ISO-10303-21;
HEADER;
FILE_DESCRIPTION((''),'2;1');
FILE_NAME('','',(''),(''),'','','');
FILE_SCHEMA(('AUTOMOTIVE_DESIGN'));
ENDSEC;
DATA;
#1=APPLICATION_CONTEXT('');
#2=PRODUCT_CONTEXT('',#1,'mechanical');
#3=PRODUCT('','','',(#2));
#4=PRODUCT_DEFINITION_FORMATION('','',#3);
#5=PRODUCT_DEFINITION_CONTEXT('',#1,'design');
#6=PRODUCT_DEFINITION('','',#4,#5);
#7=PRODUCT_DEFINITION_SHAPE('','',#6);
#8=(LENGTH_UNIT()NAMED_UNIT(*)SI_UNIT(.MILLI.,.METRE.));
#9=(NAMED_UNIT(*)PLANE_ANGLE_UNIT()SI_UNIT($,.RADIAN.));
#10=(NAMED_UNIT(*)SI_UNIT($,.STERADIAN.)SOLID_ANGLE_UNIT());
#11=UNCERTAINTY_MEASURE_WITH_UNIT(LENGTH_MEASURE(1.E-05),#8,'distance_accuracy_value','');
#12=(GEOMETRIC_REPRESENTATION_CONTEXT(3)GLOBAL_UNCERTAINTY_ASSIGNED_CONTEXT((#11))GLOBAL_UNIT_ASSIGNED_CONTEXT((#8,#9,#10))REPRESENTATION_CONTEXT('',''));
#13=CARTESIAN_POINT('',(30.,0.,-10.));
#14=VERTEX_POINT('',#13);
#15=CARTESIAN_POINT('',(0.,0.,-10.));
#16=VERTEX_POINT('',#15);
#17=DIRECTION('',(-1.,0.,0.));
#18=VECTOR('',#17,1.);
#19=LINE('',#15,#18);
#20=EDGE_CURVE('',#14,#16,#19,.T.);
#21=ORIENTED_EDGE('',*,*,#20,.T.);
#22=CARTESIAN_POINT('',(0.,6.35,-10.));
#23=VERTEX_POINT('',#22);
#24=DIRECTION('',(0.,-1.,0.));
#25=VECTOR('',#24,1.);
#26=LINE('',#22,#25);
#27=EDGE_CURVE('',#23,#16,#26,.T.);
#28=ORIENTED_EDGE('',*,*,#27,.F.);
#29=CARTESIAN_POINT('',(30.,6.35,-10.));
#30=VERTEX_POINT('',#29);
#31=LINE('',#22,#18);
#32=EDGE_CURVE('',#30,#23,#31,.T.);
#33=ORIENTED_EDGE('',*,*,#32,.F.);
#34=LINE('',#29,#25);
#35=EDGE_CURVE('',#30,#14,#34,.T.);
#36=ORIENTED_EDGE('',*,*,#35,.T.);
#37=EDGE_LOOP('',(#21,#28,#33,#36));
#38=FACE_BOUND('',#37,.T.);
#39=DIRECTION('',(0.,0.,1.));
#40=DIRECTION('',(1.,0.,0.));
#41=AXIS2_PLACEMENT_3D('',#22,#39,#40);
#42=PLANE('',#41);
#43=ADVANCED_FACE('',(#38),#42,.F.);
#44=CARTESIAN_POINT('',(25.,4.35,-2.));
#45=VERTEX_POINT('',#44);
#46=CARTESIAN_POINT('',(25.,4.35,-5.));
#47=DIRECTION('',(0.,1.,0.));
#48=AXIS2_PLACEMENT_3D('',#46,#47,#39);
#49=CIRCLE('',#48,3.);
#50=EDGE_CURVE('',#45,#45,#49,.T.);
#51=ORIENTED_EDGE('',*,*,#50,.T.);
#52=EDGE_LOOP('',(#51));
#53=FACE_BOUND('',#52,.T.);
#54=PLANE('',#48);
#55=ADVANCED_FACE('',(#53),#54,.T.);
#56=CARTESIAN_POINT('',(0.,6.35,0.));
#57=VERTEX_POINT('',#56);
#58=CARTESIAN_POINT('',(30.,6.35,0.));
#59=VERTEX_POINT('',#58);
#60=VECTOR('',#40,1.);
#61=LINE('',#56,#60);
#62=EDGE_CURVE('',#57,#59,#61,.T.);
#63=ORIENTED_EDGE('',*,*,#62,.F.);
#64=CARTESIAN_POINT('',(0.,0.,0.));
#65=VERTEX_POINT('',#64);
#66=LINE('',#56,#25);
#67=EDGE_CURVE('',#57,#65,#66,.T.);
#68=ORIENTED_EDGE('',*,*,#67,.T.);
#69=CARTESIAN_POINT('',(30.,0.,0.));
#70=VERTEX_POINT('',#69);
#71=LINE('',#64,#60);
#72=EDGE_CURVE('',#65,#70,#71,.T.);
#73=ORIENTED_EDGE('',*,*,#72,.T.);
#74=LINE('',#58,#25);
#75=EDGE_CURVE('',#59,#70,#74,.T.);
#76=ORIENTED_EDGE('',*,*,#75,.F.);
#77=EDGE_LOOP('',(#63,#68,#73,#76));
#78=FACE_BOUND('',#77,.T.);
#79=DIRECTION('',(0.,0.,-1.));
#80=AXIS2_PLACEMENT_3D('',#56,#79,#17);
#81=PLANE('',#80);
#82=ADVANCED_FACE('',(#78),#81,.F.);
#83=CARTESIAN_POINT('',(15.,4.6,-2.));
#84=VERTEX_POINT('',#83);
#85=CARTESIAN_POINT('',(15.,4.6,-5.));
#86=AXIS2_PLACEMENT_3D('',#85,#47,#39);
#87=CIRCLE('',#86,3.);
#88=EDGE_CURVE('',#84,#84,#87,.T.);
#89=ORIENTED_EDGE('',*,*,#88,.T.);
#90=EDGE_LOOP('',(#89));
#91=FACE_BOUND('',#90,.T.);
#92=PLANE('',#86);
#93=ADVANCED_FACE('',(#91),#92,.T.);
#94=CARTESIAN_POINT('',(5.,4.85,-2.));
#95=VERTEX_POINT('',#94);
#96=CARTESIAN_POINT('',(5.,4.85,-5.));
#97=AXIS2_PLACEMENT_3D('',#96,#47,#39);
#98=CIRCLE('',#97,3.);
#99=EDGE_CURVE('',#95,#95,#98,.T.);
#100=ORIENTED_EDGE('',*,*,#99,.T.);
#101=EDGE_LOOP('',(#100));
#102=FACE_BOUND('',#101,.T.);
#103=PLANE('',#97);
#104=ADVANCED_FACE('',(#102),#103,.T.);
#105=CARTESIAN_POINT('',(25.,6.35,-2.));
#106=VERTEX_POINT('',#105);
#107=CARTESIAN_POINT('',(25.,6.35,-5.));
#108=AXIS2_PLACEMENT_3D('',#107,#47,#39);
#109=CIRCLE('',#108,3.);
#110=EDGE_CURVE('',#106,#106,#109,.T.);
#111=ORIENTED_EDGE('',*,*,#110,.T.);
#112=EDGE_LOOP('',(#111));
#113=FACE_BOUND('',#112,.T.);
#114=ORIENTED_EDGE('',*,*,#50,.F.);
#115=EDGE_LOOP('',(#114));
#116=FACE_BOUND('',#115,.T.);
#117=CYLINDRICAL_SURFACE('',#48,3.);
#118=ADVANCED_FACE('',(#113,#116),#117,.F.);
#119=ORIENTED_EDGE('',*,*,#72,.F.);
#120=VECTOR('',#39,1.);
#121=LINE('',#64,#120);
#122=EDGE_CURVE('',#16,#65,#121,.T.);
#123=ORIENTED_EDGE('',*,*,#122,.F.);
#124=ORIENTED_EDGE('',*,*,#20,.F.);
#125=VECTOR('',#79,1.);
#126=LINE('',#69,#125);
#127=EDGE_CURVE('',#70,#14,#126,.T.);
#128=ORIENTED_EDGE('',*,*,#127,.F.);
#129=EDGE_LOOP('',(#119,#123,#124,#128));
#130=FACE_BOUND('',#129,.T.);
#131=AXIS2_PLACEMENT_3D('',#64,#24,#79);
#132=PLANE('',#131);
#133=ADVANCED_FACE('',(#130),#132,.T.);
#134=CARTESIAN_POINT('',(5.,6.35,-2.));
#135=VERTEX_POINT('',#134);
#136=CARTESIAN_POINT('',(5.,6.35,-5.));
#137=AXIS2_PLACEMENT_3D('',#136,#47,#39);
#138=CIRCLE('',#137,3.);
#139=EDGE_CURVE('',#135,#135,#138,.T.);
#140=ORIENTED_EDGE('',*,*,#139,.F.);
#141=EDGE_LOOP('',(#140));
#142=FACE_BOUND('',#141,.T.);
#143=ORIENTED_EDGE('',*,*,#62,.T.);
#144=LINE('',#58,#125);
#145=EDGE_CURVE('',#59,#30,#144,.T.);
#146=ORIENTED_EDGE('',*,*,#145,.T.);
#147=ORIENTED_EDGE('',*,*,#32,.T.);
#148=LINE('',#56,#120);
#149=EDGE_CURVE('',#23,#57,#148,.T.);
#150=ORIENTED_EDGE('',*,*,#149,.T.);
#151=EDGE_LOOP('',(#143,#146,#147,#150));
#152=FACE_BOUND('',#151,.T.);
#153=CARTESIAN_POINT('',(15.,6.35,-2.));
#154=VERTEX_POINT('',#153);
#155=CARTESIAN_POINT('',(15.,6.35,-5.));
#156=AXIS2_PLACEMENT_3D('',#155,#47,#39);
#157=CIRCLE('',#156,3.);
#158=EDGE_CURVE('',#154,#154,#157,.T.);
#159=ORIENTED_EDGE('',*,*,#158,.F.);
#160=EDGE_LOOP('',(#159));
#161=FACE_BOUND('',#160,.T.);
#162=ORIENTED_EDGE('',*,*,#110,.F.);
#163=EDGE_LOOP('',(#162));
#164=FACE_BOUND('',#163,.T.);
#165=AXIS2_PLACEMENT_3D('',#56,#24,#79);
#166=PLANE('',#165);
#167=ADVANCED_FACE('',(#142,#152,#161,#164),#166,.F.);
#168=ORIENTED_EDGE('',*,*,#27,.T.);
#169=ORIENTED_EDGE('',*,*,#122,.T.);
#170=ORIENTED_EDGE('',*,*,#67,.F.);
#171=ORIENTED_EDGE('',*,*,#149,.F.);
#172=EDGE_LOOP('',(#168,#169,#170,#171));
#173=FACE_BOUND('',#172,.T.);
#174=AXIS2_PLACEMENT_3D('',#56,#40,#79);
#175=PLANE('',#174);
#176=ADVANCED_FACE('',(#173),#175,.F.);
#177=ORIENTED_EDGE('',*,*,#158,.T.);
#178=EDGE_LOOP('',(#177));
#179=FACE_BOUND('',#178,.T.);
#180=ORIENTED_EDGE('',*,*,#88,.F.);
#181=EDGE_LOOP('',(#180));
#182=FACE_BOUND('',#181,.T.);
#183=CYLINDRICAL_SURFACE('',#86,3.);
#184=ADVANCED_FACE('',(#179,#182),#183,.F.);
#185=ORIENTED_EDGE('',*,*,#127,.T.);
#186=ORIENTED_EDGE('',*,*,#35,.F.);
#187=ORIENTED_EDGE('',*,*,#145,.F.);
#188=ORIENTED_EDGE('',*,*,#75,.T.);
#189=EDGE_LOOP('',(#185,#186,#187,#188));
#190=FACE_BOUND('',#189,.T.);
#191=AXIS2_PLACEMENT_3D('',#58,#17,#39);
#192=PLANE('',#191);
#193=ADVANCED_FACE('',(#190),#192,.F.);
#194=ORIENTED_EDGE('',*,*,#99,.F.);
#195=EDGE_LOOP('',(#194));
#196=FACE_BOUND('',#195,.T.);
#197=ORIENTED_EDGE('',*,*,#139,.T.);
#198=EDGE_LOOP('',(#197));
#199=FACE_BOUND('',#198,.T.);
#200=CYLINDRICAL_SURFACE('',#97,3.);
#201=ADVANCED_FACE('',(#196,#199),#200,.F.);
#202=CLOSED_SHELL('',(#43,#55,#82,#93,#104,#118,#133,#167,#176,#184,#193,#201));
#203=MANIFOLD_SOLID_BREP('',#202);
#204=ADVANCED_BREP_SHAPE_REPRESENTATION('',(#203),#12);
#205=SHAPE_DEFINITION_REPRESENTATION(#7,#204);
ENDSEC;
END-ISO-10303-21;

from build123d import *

# Parameters (mm, degrees)
SKETCH1_W           = 30
SKETCH1_H           = 10
BOSS_EXTRUDE1_DEPTH = 6.35
SKETCH2_R           = 3
CUT_EXTRUDE1_DEPTH  = 1.75
SKETCH4_R           = 3
CUT_EXTRUDE2_DEPTH  = 1.5
SKETCH5_R           = 3
CUT_EXTRUDE3_DEPTH  = 2


with BuildPart() as part:
    # Sketch1 → Boss-Extrude1 (new body)
    with BuildSketch(Plane(origin=(0, 0, 0), x_dir=(1, 0, 0), z_dir=(0, 1, 0))):
        with Locations((15, 5)):
            Rectangle(SKETCH1_W, SKETCH1_H)
    extrude(amount=BOSS_EXTRUDE1_DEPTH)

    # Sketch2 → Cut-Extrude1 (cut)
    with BuildSketch(Plane(origin=(0, 6.35, 0), x_dir=(1, 0, 0), z_dir=(0, 1, 0))):
        with Locations((15, 5)):
            Circle(SKETCH2_R)
    extrude(amount=-CUT_EXTRUDE1_DEPTH, mode=Mode.SUBTRACT)

    # Sketch4 → Cut-Extrude2 (cut)
    with BuildSketch(Plane(origin=(0, 6.35, 0), x_dir=(1, 0, 0), z_dir=(0, 1, 0))):
        with Locations((5, 5)):
            Circle(SKETCH4_R)
    extrude(amount=-CUT_EXTRUDE2_DEPTH, mode=Mode.SUBTRACT)

    # Sketch5 → Cut-Extrude3 (cut)
    with BuildSketch(Plane(origin=(0, 6.35, 0), x_dir=(1, 0, 0), z_dir=(0, 1, 0))):
        with Locations((25, 5)):
            Circle(SKETCH5_R)
    extrude(amount=-CUT_EXTRUDE3_DEPTH, mode=Mode.SUBTRACT)


solid = part.part
